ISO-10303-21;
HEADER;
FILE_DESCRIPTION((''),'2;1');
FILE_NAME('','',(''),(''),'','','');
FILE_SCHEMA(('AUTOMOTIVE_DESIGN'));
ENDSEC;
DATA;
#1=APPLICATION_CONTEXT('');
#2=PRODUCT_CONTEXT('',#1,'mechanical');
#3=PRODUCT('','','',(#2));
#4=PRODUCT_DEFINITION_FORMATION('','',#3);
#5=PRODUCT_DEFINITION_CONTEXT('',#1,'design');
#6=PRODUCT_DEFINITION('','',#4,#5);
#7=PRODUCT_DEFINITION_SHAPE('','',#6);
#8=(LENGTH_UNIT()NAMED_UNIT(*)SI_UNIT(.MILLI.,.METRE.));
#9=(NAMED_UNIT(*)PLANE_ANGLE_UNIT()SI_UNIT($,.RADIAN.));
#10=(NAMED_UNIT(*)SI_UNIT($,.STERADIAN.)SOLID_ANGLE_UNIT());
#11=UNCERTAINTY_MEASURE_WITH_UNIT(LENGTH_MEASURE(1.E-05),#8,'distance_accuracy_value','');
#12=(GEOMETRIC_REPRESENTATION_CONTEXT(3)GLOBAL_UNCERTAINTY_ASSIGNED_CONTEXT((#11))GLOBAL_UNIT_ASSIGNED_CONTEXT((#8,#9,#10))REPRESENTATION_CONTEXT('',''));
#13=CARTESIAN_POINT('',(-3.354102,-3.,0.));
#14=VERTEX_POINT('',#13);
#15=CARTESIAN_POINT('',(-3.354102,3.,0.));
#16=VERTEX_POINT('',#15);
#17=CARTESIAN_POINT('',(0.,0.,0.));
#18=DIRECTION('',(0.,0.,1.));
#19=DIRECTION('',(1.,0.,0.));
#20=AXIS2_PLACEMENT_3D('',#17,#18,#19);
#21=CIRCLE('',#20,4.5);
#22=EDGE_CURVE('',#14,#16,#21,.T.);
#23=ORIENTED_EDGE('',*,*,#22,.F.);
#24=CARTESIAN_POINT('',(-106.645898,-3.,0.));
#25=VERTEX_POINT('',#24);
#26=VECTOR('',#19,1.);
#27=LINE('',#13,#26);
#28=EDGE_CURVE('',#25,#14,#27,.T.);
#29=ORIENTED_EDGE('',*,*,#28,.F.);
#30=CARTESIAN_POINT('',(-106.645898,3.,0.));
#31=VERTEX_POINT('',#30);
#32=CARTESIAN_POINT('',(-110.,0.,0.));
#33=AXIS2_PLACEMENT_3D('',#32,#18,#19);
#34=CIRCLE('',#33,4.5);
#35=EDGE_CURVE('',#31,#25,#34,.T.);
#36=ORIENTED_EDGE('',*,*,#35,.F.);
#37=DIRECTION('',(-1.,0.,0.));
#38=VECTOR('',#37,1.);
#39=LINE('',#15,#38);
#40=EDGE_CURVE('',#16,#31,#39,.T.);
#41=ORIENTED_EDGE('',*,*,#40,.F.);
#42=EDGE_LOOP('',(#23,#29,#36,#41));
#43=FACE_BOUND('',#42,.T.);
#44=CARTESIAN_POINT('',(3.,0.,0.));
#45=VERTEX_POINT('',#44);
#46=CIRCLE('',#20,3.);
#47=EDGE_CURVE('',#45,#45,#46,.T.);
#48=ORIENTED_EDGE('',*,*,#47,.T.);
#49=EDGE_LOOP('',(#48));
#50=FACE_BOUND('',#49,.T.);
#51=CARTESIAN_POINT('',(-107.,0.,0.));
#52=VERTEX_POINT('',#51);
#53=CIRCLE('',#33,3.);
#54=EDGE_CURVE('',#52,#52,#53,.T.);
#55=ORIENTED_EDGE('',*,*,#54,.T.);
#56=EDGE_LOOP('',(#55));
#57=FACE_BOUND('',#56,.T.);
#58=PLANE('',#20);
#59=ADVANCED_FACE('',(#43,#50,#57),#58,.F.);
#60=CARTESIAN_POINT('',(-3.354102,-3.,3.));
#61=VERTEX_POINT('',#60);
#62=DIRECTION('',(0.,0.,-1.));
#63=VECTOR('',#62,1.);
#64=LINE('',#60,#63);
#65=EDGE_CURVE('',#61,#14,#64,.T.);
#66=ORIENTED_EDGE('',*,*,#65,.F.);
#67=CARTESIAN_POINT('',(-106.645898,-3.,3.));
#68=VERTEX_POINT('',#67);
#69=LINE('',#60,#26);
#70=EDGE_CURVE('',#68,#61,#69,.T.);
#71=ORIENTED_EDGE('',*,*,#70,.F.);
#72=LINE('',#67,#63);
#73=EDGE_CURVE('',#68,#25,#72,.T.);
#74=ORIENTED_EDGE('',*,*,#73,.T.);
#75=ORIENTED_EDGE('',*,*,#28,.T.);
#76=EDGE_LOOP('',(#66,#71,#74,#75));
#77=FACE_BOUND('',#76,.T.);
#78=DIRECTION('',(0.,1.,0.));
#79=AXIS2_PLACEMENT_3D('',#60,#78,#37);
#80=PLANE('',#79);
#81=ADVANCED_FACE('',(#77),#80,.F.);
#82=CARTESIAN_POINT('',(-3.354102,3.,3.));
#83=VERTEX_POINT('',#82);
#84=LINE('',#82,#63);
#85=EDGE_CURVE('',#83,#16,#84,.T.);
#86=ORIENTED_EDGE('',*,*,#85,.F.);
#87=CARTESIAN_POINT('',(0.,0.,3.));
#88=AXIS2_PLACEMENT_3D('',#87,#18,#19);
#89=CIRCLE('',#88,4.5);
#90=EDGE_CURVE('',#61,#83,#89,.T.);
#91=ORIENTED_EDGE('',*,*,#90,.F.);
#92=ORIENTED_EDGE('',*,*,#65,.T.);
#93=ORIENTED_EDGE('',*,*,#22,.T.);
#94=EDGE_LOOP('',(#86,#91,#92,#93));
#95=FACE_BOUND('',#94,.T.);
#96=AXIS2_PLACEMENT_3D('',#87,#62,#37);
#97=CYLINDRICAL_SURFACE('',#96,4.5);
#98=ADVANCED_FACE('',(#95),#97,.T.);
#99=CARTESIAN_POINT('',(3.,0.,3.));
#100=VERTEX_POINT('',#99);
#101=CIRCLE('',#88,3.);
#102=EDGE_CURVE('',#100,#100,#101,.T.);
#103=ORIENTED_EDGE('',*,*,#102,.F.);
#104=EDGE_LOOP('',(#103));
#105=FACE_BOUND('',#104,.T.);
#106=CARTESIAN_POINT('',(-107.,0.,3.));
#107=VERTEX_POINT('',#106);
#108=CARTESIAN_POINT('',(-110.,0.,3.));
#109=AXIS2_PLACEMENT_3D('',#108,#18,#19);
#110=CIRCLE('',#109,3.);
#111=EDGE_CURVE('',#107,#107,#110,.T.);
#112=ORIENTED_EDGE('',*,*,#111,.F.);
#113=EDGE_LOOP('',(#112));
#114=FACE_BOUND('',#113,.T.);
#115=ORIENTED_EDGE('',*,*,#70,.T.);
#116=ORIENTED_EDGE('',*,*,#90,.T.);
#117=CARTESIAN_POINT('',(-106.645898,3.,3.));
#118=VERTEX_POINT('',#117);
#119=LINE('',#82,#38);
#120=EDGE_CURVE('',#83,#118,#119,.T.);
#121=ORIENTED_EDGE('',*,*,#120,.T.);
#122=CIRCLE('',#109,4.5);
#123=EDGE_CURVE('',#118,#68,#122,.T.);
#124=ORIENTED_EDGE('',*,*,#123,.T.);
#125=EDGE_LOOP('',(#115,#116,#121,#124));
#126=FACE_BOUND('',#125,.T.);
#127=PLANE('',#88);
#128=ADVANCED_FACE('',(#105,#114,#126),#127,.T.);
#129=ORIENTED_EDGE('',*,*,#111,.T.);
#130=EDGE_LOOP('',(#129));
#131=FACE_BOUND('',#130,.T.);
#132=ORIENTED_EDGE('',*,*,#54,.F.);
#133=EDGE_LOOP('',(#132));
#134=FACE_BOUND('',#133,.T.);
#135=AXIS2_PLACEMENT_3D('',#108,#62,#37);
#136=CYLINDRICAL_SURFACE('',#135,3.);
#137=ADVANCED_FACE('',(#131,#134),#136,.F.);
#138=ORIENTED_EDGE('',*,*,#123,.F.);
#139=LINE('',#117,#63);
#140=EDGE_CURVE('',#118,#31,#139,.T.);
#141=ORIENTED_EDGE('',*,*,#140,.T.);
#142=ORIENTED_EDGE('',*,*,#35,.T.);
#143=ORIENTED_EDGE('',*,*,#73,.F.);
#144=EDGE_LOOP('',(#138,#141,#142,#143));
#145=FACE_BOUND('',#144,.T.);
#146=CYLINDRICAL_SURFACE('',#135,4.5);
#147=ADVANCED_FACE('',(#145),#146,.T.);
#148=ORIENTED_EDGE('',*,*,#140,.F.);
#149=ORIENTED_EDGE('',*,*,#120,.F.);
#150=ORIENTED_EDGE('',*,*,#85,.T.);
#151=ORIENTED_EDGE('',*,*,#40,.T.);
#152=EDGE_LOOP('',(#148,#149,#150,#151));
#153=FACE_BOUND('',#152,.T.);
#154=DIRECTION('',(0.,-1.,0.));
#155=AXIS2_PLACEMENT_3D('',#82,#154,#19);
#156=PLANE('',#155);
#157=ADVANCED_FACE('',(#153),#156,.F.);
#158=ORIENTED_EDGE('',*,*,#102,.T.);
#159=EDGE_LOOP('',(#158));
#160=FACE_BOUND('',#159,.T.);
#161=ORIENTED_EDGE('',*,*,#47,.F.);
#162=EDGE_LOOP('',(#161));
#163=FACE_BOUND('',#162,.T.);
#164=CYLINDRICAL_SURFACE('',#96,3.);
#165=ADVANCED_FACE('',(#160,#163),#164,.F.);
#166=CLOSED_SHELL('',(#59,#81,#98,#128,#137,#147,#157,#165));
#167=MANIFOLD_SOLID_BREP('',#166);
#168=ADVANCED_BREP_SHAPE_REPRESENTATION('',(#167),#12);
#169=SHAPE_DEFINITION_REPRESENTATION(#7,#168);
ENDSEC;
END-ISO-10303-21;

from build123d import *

# Parameters (mm, degrees)
SKETCH2_R           = 3
BOSS_EXTRUDE1_DEPTH = 3


with BuildPart() as part:
    # Sketch2 → Boss-Extrude1 (new body)
    with BuildSketch(Plane.XY):
        with BuildLine():
            Line((-3.354101966, -3), (-106.645898034, -3))
            ThreePointArc((-106.645898034, -3), (-114.5, 0), (-106.645898034, 3))
            Line((-106.645898034, 3), (-3.354101966, 3))
            ThreePointArc((-3.354101966, 3), (4.5, 0), (-3.354101966, -3))
        make_face()
        Circle(SKETCH2_R, mode=Mode.SUBTRACT)
        with Locations((-110, 0)):
            Circle(SKETCH2_R, mode=Mode.SUBTRACT)
    extrude(amount=BOSS_EXTRUDE1_DEPTH)


solid = part.part
